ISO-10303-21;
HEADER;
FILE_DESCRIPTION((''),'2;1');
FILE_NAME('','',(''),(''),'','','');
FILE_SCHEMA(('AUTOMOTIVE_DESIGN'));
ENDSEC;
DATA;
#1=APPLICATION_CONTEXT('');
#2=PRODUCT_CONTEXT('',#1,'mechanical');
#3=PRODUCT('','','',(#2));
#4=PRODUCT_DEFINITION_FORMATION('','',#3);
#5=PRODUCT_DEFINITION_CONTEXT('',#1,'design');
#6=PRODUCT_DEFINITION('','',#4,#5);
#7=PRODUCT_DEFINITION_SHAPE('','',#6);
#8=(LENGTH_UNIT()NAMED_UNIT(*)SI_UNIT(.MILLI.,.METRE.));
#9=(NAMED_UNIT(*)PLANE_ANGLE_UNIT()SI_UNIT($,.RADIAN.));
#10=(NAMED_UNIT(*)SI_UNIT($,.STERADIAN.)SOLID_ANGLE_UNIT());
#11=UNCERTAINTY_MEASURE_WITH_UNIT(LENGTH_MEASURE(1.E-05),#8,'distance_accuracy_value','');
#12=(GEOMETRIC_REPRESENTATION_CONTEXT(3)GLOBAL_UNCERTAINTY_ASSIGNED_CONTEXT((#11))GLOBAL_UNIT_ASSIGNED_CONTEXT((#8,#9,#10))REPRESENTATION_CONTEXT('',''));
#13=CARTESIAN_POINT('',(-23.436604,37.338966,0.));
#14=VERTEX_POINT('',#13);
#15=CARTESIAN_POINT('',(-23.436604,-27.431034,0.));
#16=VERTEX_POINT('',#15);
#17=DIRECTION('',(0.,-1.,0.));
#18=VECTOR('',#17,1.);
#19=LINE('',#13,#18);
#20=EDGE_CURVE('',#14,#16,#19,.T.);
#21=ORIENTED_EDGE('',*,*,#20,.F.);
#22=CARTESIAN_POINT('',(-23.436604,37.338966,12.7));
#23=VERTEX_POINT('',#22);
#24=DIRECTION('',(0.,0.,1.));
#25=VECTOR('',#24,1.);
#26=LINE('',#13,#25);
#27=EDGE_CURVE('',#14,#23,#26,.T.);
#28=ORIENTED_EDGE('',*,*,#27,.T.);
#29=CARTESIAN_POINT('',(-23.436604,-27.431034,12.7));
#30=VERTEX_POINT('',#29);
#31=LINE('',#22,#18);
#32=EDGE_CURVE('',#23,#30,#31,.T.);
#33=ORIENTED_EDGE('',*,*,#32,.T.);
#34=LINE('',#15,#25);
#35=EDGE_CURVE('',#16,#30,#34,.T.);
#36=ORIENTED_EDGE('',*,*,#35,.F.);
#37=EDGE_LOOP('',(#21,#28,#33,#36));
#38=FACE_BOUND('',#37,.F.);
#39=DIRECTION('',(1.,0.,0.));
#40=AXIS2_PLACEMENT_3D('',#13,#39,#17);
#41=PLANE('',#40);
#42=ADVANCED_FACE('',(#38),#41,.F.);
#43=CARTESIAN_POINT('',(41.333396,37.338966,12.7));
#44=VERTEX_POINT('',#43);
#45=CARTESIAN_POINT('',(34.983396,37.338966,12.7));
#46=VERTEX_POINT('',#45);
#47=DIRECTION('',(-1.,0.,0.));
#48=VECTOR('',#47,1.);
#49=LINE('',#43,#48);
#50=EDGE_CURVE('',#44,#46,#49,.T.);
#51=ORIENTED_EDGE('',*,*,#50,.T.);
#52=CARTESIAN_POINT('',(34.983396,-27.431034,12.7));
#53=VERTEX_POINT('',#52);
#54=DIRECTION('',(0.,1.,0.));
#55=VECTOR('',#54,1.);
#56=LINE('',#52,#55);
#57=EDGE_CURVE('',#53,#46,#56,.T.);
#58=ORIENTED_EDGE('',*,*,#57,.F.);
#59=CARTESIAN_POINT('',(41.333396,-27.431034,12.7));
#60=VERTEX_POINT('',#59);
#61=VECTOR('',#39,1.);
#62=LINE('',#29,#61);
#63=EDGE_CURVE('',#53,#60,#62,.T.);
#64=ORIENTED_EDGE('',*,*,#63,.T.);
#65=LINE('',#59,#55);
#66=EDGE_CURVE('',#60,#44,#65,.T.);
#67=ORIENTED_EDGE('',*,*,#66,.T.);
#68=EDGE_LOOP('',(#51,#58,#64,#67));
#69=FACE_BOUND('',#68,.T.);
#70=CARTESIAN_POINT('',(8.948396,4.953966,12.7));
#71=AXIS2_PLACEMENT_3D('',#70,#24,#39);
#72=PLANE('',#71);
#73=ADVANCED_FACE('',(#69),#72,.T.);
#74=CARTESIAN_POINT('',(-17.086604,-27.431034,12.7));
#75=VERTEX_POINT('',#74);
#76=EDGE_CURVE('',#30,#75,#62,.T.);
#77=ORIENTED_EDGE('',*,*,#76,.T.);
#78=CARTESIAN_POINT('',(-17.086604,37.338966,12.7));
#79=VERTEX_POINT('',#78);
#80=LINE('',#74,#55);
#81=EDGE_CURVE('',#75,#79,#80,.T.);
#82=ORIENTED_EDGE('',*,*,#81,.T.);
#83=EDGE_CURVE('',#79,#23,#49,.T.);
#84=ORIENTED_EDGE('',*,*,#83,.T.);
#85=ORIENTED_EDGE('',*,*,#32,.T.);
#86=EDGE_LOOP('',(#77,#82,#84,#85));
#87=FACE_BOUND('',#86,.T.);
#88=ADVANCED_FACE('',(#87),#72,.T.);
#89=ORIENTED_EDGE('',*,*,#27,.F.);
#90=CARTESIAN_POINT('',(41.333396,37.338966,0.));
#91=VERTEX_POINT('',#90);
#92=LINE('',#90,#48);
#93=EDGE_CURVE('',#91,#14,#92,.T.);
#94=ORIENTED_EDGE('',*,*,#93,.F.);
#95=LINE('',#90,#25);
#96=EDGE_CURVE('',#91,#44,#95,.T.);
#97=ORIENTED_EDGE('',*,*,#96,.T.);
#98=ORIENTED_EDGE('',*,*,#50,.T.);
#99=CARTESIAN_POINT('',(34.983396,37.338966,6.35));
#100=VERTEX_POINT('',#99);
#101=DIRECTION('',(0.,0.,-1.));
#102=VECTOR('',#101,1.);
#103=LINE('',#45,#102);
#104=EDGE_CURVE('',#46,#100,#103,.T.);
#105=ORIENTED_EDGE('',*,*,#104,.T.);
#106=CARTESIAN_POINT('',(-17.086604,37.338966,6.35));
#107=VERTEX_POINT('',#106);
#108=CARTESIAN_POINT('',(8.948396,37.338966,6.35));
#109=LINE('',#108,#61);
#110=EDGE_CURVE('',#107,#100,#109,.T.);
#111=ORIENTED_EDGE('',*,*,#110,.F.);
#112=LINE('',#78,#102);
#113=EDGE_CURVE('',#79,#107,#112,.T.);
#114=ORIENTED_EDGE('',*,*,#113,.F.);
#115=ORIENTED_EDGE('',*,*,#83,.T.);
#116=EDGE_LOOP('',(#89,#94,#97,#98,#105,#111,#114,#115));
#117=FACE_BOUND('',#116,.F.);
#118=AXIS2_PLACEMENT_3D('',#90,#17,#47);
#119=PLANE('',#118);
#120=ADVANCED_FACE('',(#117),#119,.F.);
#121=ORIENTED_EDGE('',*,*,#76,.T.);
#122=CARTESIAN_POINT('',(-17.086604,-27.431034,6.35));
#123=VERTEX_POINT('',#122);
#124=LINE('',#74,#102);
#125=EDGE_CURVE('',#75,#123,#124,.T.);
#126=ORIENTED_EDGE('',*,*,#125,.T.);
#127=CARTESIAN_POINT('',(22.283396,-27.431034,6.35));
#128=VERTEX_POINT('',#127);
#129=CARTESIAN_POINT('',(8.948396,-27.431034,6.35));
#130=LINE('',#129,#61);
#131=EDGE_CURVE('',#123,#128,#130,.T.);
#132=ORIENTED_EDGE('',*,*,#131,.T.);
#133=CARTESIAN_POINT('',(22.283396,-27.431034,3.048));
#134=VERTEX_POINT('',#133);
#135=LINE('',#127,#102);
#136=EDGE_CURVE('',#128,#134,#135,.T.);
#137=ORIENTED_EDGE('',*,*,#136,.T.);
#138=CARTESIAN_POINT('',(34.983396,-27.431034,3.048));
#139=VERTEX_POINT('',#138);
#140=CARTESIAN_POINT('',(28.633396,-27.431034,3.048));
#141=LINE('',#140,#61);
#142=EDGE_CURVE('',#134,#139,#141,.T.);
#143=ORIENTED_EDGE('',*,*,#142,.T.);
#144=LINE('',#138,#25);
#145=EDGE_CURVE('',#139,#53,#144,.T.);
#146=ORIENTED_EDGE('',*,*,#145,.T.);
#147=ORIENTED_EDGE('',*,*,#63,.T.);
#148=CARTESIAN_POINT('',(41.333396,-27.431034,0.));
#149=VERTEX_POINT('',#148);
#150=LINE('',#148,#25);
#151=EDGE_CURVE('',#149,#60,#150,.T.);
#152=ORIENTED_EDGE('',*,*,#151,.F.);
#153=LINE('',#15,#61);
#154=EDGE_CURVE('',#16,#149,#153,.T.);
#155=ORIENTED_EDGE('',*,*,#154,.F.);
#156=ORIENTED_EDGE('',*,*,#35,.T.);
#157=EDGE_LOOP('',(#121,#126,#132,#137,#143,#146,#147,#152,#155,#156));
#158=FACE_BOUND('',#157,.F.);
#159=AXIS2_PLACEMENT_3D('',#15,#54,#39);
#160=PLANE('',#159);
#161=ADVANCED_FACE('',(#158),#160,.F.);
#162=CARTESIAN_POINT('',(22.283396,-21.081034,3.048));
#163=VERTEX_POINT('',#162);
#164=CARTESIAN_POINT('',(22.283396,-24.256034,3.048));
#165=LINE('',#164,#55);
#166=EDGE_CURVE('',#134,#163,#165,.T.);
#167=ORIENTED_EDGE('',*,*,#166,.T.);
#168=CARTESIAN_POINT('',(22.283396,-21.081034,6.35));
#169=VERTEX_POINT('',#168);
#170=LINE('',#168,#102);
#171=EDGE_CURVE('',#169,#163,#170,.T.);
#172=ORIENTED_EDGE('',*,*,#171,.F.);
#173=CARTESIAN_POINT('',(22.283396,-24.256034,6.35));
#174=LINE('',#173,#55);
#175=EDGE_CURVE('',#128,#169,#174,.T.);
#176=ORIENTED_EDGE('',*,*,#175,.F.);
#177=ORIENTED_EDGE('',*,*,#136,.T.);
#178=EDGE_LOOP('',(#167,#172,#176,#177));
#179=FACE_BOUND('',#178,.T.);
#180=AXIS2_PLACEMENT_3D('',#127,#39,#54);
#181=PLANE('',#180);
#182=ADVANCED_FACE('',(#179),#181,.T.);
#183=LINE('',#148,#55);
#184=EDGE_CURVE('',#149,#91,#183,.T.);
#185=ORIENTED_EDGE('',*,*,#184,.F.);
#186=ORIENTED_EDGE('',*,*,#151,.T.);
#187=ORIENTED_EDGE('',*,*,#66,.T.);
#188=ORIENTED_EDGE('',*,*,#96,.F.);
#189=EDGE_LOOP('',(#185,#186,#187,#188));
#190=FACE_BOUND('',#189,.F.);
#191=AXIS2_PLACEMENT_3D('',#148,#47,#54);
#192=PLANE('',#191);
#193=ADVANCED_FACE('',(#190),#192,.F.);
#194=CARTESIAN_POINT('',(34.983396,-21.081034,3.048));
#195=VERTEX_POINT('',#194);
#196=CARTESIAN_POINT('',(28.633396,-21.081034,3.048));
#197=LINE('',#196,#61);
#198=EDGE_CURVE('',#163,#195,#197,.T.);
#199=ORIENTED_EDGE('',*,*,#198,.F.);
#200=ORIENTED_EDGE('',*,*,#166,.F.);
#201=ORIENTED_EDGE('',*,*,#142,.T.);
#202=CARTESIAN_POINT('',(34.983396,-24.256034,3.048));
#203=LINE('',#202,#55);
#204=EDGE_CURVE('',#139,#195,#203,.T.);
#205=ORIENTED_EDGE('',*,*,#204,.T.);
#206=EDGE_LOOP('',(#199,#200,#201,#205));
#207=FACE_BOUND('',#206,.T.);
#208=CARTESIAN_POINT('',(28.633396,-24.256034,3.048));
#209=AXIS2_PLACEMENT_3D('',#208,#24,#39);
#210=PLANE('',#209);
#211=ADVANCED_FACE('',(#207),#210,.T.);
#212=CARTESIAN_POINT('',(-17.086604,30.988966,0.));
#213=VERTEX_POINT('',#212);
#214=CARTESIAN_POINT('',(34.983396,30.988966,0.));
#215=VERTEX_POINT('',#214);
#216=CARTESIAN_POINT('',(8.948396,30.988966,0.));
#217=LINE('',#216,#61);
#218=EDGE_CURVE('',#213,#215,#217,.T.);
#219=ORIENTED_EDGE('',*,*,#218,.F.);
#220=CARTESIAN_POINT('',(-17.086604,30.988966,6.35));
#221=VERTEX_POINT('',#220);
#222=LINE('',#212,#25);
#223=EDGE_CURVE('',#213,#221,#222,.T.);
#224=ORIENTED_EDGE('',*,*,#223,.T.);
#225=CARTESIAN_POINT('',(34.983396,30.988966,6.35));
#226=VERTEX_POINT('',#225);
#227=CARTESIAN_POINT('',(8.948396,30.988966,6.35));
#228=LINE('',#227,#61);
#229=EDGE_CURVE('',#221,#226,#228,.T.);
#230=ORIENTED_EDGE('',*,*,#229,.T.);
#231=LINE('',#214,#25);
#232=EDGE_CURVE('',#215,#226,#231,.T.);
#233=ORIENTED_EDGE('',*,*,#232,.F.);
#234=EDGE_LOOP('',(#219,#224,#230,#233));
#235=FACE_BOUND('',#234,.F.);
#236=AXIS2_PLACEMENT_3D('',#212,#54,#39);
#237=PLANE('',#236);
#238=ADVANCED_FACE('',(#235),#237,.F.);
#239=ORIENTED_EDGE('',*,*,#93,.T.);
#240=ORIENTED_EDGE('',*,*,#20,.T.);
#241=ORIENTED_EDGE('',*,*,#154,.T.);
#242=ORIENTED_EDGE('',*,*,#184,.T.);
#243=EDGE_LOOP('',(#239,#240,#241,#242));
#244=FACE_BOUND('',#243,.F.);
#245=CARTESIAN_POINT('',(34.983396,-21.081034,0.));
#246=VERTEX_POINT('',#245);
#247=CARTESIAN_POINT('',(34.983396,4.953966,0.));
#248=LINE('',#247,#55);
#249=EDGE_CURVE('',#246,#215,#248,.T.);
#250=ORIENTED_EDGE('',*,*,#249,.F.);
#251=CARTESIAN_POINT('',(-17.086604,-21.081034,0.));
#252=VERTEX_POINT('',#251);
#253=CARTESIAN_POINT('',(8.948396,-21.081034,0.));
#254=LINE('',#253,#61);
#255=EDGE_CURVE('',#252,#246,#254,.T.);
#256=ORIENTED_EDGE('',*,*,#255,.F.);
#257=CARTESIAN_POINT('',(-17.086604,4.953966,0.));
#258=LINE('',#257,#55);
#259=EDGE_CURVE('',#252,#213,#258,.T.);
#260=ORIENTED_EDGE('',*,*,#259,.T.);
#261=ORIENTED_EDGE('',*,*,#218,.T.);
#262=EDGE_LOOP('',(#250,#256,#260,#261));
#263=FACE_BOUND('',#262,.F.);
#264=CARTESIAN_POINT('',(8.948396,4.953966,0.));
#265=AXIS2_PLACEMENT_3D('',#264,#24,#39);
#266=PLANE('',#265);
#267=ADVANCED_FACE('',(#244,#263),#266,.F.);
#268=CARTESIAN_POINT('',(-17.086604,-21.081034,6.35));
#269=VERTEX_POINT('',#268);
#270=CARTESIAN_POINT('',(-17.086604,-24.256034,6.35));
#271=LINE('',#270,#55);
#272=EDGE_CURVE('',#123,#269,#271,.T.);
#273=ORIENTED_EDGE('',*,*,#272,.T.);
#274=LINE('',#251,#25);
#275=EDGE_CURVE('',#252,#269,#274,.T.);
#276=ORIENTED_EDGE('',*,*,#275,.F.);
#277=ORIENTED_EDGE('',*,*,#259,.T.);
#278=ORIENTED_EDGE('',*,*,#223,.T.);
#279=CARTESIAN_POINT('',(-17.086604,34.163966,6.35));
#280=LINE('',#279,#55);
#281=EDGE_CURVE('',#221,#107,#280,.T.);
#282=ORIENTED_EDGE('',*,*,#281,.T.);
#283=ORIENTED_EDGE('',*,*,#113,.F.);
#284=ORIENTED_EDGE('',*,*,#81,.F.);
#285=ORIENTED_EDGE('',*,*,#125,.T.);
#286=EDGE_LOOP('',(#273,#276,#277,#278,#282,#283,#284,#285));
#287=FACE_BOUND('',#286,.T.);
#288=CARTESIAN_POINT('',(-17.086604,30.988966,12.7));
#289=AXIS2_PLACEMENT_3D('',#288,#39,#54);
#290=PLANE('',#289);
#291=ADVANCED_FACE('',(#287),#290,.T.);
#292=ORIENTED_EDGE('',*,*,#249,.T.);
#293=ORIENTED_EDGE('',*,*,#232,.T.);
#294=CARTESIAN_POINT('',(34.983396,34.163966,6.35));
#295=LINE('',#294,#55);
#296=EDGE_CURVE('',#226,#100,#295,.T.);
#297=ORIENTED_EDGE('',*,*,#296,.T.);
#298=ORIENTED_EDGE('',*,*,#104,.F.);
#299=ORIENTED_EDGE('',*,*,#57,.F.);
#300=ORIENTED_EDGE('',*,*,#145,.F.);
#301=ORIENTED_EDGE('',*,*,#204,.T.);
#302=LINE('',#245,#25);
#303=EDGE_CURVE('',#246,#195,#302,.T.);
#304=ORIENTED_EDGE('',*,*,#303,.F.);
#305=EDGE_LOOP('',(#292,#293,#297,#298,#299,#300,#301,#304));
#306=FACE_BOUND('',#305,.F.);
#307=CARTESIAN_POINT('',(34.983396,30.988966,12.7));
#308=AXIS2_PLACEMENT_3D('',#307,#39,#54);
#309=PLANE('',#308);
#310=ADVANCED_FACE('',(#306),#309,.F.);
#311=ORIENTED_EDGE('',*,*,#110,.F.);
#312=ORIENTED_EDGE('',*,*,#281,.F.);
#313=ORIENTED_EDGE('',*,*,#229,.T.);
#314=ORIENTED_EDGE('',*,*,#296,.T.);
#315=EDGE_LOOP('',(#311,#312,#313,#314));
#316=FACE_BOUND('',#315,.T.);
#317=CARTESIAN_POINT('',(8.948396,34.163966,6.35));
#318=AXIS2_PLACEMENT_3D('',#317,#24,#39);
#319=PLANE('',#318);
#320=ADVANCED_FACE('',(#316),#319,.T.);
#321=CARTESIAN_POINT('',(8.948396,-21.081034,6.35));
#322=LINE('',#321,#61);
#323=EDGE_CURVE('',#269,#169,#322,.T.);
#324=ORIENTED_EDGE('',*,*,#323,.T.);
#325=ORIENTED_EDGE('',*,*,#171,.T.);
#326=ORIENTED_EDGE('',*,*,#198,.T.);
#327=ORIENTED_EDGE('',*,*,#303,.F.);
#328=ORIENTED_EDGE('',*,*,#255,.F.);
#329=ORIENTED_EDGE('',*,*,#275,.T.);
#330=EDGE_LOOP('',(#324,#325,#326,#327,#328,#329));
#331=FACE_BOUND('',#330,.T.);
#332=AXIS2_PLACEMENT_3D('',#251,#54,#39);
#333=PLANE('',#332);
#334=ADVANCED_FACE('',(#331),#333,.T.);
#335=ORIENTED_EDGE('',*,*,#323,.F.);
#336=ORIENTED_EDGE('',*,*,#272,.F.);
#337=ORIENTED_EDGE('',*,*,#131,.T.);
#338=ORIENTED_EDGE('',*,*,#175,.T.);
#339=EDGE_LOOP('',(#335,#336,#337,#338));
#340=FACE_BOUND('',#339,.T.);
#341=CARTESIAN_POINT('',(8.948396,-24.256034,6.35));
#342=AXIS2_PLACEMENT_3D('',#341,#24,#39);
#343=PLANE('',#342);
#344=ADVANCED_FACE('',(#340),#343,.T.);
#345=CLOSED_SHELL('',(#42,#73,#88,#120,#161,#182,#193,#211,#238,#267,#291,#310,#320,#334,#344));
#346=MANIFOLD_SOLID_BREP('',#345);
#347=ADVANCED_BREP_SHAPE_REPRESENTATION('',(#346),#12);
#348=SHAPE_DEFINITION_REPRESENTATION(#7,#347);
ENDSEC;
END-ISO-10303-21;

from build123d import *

# Parameters (mm, degrees)
F0_W     = 52.07
F0_H     = 52.07
F1_DEPTH = 12.7
F2_W     = 52.07
F2_H     = 6.35
F3_DEPTH = 6.35
F4_W     = 12.7
F4_H     = 6.35
F5_DEPTH = 3.302


with BuildPart() as f1:
    # F0 (on Top) → F1 (new body)
    with BuildSketch(Plane.XY):
        Polygon((41.3333964217, 37.3389664483), (-17.0866035783, 37.3389664483), (-23.4366035783, 37.3389664483), (-23.4366035783, -27.4310335517), (41.3333964217, -27.4310335517), align=None)
        with Locations((8.9483964217, 4.9539664483)):
            Rectangle(F0_W, F0_H, mode=Mode.SUBTRACT)
    extrude(amount=F1_DEPTH)

    # F2 (on face) → F3 (cut)
    with BuildSketch(Plane.XY.offset(12.7)):
        with Locations((8.9483964217, 34.1639664483)):
            Rectangle(F2_W, F2_H)
        with Locations((8.9483964217, -24.2560335517)):
            Rectangle(F2_W, F2_H)
    extrude(amount=-F3_DEPTH, mode=Mode.SUBTRACT)

    # F4 (on face) → F5 (cut)
    with BuildSketch(Plane.XY.offset(6.35)):
        with Locations((28.6333964217, -24.2560335517)):
            Rectangle(F4_W, F4_H)
    extrude(amount=-F5_DEPTH, mode=Mode.SUBTRACT)


solid = f1.part
